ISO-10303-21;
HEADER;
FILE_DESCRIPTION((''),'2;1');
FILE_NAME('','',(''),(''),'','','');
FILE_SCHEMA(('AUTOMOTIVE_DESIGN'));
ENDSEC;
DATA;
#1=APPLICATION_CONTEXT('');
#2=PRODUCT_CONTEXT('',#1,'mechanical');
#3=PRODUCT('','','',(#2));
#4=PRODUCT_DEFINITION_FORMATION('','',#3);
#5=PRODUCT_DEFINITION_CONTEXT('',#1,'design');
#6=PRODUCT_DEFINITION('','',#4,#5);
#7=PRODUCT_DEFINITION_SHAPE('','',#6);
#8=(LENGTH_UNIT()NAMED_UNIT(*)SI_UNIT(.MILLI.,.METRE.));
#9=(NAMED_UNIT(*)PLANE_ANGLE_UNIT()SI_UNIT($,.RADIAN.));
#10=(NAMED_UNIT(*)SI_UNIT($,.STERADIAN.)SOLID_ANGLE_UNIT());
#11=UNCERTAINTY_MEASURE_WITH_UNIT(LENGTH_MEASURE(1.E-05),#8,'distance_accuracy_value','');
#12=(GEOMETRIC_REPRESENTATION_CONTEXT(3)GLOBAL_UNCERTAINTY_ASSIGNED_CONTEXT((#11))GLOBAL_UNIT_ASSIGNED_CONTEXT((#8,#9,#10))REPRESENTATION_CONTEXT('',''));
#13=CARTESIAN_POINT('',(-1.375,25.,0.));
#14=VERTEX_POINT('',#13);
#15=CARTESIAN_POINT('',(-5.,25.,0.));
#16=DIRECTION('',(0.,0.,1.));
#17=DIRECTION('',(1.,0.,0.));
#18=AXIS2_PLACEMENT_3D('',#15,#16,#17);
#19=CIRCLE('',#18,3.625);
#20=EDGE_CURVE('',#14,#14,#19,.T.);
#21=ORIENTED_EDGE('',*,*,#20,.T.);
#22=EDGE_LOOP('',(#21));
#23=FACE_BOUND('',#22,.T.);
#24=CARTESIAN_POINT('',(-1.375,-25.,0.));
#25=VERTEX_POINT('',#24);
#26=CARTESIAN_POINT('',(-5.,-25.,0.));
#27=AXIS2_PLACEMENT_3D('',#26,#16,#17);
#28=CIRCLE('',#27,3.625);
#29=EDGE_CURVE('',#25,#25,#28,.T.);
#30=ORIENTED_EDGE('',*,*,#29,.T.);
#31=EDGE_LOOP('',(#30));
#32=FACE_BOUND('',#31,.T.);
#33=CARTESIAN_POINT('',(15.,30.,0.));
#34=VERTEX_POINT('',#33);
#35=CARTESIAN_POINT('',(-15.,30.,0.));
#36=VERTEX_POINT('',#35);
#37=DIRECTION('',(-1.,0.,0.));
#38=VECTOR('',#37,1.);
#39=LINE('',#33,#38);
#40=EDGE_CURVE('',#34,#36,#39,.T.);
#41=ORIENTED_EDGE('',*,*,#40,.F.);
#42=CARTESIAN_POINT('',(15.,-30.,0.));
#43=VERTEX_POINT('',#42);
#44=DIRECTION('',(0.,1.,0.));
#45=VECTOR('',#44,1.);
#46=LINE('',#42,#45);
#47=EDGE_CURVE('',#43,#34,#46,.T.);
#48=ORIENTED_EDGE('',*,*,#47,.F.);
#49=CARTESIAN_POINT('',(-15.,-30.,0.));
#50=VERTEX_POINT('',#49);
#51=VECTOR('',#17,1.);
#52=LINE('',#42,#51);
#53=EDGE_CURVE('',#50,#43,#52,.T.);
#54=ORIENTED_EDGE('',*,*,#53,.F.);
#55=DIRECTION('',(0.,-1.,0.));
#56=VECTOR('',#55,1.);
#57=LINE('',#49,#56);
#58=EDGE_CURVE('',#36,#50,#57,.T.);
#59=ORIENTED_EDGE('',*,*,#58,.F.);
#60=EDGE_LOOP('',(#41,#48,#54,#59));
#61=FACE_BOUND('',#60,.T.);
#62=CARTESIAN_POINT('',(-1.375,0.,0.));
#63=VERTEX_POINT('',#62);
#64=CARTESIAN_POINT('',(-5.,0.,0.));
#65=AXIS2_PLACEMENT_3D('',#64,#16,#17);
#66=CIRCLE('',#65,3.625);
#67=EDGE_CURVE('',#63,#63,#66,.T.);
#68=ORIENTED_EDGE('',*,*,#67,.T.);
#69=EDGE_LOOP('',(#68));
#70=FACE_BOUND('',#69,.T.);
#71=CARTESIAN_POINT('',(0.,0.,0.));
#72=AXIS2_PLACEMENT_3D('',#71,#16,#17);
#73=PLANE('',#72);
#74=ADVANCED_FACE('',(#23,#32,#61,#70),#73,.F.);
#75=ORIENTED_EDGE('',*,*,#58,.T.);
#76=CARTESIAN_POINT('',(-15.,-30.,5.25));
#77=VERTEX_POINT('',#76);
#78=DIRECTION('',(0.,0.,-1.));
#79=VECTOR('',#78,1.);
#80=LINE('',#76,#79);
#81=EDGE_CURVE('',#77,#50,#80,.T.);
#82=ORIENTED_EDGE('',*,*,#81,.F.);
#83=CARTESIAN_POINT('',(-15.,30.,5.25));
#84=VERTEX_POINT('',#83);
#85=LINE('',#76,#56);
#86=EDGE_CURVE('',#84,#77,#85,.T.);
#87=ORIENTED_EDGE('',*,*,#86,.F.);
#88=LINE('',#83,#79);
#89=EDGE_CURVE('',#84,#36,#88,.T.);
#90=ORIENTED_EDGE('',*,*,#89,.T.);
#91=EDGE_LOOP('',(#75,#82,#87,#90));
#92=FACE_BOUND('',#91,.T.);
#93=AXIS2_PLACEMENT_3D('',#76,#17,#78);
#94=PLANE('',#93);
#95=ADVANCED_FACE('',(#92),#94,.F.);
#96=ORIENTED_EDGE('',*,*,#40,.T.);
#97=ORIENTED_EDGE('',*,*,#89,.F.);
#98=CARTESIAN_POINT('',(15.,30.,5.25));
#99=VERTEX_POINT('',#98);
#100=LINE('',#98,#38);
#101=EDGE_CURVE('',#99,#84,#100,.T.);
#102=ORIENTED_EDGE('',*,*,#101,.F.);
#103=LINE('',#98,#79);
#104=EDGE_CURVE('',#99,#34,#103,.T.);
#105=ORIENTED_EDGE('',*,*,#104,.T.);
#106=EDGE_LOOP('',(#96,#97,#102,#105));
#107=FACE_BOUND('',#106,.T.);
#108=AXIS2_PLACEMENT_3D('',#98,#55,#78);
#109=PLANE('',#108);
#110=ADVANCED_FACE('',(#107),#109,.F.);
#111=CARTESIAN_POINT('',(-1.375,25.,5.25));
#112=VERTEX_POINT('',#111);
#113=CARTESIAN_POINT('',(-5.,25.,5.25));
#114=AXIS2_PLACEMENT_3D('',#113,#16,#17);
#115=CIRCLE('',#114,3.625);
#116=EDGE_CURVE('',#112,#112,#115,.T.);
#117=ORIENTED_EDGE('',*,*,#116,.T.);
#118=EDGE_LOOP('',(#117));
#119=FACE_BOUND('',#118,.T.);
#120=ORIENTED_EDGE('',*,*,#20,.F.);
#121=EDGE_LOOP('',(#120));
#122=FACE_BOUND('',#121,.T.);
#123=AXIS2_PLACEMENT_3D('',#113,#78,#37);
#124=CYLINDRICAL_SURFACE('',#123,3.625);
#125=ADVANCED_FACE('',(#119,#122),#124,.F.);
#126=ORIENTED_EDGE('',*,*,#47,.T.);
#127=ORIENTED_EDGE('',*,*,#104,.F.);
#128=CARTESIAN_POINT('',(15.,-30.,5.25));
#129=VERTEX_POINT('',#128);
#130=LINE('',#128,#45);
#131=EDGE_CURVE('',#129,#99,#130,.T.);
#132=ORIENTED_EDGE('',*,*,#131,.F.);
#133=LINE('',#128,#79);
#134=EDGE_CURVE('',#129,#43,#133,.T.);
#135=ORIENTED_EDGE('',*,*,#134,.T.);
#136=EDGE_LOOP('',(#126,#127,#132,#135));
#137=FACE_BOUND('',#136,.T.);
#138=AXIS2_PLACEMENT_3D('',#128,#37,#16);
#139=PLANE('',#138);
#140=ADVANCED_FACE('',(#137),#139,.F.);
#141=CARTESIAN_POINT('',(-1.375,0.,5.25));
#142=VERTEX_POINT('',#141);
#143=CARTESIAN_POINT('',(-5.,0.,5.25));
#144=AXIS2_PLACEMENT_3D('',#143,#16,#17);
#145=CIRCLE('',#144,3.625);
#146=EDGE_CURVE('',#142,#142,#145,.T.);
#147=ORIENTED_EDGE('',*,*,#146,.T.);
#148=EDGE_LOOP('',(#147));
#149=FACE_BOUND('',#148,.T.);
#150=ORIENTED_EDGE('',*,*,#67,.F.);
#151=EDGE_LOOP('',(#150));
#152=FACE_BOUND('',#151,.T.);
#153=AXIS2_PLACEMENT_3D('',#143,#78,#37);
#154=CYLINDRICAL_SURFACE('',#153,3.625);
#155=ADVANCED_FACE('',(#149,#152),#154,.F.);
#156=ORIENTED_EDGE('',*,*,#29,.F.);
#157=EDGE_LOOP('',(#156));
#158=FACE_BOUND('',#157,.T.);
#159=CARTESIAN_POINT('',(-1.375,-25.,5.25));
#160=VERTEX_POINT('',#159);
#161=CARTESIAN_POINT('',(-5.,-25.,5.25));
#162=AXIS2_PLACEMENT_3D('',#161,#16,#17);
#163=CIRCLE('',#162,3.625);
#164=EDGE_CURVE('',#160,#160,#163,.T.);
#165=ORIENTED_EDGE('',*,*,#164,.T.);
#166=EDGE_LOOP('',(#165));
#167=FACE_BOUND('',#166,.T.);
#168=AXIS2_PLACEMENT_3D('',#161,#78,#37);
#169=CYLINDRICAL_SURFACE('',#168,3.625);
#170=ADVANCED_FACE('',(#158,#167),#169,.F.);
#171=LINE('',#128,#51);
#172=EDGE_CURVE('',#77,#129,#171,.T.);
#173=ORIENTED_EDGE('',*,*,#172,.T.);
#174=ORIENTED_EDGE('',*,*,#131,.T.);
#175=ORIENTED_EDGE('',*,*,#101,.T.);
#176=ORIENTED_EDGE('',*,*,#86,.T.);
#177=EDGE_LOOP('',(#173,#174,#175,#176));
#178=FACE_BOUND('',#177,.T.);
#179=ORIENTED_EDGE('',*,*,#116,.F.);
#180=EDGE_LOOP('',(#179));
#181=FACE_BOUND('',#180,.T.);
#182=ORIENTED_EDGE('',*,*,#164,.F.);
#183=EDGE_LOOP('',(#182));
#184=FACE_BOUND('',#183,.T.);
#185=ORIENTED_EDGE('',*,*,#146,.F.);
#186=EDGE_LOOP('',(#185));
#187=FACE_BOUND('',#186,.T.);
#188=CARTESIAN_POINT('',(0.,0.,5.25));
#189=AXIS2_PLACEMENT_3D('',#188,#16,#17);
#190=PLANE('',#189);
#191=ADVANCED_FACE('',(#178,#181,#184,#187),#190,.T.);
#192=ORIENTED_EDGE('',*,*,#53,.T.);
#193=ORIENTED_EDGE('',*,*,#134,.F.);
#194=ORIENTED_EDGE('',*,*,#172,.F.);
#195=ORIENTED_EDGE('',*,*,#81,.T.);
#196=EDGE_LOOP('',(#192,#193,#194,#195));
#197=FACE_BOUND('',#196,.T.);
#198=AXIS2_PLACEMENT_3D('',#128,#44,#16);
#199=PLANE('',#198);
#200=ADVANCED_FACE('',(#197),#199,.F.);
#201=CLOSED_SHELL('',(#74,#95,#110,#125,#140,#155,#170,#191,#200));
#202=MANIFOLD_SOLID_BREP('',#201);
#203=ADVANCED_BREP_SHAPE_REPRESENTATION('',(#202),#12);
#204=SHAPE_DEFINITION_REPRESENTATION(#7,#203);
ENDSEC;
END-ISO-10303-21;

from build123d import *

# Parameters (mm, degrees)
SKETCH_1_W      = 30
SKETCH_1_H      = 60
SKETCH_1_R      = 3.625
EXTRUDE_1_DEPTH = 5.25


with BuildPart() as part:
    # 스케치1 → 보스-돌출1 (new body)
    with BuildSketch(Plane.XY):
        Rectangle(SKETCH_1_W, SKETCH_1_H)
        with Locations((-5, 25)):
            Circle(SKETCH_1_R, mode=Mode.SUBTRACT)
        with Locations((-5, 0)):
            Circle(SKETCH_1_R, mode=Mode.SUBTRACT)
        with Locations((-5, -25)):
            Circle(SKETCH_1_R, mode=Mode.SUBTRACT)
    extrude(amount=EXTRUDE_1_DEPTH)


solid = part.part
